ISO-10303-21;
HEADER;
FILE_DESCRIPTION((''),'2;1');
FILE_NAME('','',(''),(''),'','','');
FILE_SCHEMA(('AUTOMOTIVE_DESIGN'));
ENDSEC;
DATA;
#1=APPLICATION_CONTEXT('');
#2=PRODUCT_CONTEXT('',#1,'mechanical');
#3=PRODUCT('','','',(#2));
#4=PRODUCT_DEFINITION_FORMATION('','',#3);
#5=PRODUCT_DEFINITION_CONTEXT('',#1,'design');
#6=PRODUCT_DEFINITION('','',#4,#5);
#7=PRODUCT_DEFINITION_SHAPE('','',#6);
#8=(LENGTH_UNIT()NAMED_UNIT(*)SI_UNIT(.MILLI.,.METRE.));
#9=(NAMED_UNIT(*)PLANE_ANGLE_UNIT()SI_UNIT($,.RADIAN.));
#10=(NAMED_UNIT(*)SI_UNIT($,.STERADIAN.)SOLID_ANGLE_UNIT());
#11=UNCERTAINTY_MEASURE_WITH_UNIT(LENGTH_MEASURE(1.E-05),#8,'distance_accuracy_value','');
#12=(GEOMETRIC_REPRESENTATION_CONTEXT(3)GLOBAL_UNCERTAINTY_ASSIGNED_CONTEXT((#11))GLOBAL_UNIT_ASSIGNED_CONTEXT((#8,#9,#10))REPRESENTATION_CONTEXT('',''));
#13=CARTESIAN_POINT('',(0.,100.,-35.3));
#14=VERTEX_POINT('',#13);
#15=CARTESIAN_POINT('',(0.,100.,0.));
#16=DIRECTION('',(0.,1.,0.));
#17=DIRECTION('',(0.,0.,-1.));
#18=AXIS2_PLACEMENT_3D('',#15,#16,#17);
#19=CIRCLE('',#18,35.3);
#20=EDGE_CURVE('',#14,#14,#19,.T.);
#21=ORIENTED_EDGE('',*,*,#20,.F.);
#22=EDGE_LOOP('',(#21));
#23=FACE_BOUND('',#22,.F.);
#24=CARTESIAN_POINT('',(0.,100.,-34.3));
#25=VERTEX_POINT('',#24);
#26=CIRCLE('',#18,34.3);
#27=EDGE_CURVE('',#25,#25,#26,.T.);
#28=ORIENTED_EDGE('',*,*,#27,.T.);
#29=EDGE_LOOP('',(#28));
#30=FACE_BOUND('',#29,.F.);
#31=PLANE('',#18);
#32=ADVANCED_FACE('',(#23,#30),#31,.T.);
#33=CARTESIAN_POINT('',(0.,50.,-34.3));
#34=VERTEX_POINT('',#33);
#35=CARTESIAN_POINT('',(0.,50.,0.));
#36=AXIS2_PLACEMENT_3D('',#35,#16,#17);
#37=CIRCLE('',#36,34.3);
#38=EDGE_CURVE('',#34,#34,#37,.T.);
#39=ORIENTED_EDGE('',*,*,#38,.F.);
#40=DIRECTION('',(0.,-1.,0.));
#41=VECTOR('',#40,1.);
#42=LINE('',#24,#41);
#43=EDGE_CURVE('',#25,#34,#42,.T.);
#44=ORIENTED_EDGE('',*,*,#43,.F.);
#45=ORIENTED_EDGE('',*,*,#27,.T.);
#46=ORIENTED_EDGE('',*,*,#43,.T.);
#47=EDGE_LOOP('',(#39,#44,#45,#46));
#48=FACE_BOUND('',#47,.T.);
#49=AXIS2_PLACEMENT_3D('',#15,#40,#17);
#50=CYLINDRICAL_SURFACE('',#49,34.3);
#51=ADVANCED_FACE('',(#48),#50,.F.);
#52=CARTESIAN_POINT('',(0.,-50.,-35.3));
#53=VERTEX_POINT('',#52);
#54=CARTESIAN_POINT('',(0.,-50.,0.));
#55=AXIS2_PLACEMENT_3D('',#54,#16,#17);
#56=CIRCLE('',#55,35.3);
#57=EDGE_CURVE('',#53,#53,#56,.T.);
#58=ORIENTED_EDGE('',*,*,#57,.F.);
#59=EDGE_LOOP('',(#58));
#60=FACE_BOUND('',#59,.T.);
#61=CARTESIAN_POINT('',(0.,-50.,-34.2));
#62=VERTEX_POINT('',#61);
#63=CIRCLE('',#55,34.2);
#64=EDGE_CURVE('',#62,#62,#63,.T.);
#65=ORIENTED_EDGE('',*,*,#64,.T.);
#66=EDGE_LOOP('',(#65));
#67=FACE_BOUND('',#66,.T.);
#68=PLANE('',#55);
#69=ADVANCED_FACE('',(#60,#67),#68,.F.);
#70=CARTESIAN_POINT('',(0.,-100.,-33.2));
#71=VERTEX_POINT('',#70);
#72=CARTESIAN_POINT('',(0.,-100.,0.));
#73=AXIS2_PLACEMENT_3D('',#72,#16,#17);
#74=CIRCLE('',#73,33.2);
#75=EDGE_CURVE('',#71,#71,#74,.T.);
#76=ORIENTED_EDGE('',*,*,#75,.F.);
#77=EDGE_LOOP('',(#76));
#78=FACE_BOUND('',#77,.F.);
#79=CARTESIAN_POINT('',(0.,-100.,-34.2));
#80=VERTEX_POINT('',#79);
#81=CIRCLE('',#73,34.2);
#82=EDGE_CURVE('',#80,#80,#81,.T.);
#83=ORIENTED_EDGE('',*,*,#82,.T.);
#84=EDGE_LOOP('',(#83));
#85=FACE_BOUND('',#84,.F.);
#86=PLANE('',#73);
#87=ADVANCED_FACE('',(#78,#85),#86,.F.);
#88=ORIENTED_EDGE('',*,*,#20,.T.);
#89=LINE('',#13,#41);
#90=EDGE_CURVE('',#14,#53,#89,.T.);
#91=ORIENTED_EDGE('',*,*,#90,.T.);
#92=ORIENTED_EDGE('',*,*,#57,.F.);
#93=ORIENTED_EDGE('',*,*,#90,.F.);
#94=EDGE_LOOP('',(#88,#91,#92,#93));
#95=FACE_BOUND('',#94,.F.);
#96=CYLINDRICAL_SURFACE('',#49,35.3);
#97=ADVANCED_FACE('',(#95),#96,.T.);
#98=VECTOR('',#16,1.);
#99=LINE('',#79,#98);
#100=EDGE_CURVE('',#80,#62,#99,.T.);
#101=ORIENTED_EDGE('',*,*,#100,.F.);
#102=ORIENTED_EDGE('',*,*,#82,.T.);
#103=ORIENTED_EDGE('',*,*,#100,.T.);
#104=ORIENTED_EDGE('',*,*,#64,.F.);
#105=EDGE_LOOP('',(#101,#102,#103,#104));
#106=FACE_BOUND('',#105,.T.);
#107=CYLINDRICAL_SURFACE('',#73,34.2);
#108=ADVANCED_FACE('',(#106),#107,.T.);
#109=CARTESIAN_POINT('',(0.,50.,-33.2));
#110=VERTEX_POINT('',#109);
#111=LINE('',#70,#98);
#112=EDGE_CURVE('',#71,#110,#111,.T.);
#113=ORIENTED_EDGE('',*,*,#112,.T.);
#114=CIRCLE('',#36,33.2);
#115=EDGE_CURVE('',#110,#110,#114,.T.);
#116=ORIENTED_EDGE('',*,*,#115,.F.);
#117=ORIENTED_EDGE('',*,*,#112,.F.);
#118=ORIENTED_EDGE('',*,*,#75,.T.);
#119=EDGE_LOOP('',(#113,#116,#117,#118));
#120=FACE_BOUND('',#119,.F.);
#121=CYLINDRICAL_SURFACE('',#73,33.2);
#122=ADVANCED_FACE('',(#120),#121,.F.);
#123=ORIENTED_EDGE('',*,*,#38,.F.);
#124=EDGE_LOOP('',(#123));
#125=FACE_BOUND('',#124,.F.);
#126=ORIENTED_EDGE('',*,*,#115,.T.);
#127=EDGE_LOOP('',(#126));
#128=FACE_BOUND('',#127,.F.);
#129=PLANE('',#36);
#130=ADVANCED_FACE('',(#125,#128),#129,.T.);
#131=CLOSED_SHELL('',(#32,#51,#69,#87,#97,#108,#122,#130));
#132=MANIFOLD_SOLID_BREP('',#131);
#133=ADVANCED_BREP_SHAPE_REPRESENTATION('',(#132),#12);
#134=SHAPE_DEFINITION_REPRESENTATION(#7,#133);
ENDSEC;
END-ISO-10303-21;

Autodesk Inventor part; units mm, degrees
ref_plane "YZ Plane" through (0, 0, 0) normal (1, 0, 0) x (0, 1, 0)
ref_plane "XZ Plane" through (0, 0, 0) normal (0, 1, 0) x (-1, 0, 0)
ref_plane "XY Plane" through (0, 0, 0) normal (0, 0, 1) x (1, 0, 0)
sketch "Sketch1" plane through (0, 0, 0) normal (1, 0, 0) x (0, 1, 0)
  line L0 (-100, -33.2) -> (50, -33.2)
  line L1 (50, -33.2) -> (50, -34.3)
  line L2 (-100, -34.2) -> (-100, -33.2)
  line L3 (100, -34.3) -> (100, -35.3)
  line L4 (100, -35.3) -> (-50, -35.3)
  line L5 (-140, 0) -> (140, 0) projected
  line L6 (100, -34.3) -> (50, -34.3)
  line L7 (-100, -34.2) -> (-50, -34.2)
  line L8 (-50, -34.2) -> (-50, -35.3)
  point P0 (0, 0)
  point P1 (-100, -33.875)
  point P2 (100, -34.75)
  dimension "d6" = 33.2
  dimension "d7" = 50
  dimension "d9" = 200
  dimension "d13" = 2.1
  dimension "d16" = 100
  dimension "d26" = 1
  dimension "d27" = 1
  dimension "d28" = 34.3
  dimension "d29" = 34.2
revolve "Revolution1" add sketch "Sketch1" angle 360 about axis through (0, -10, 0) along (0, 1, 0)
sketch "Sketch2" plane through (0, 0, 0) normal (1, 0, 0) x (0, 1, 0)
  line L0 (71, 3) -> (65, 3)
  line L1 (65, 3) -> (65, -3)
  line L2 (65, -3) -> (71, -3)
  line L3 (71, -3) -> (71, 3)
  line L4 (100, -35.3) -> (100, 35.3) projected
  point P0 (0, 0)
  dimension "d17" = 3
  dimension "d18" = 3
  dimension "d19" = 6
  dimension "d20" = 29
extrude "Extrusion1" [suppressed]
equation "\"d16\" = 0.5 * d9"
equation "\"gap\" = 0.1"
properties part number "MidTube"
